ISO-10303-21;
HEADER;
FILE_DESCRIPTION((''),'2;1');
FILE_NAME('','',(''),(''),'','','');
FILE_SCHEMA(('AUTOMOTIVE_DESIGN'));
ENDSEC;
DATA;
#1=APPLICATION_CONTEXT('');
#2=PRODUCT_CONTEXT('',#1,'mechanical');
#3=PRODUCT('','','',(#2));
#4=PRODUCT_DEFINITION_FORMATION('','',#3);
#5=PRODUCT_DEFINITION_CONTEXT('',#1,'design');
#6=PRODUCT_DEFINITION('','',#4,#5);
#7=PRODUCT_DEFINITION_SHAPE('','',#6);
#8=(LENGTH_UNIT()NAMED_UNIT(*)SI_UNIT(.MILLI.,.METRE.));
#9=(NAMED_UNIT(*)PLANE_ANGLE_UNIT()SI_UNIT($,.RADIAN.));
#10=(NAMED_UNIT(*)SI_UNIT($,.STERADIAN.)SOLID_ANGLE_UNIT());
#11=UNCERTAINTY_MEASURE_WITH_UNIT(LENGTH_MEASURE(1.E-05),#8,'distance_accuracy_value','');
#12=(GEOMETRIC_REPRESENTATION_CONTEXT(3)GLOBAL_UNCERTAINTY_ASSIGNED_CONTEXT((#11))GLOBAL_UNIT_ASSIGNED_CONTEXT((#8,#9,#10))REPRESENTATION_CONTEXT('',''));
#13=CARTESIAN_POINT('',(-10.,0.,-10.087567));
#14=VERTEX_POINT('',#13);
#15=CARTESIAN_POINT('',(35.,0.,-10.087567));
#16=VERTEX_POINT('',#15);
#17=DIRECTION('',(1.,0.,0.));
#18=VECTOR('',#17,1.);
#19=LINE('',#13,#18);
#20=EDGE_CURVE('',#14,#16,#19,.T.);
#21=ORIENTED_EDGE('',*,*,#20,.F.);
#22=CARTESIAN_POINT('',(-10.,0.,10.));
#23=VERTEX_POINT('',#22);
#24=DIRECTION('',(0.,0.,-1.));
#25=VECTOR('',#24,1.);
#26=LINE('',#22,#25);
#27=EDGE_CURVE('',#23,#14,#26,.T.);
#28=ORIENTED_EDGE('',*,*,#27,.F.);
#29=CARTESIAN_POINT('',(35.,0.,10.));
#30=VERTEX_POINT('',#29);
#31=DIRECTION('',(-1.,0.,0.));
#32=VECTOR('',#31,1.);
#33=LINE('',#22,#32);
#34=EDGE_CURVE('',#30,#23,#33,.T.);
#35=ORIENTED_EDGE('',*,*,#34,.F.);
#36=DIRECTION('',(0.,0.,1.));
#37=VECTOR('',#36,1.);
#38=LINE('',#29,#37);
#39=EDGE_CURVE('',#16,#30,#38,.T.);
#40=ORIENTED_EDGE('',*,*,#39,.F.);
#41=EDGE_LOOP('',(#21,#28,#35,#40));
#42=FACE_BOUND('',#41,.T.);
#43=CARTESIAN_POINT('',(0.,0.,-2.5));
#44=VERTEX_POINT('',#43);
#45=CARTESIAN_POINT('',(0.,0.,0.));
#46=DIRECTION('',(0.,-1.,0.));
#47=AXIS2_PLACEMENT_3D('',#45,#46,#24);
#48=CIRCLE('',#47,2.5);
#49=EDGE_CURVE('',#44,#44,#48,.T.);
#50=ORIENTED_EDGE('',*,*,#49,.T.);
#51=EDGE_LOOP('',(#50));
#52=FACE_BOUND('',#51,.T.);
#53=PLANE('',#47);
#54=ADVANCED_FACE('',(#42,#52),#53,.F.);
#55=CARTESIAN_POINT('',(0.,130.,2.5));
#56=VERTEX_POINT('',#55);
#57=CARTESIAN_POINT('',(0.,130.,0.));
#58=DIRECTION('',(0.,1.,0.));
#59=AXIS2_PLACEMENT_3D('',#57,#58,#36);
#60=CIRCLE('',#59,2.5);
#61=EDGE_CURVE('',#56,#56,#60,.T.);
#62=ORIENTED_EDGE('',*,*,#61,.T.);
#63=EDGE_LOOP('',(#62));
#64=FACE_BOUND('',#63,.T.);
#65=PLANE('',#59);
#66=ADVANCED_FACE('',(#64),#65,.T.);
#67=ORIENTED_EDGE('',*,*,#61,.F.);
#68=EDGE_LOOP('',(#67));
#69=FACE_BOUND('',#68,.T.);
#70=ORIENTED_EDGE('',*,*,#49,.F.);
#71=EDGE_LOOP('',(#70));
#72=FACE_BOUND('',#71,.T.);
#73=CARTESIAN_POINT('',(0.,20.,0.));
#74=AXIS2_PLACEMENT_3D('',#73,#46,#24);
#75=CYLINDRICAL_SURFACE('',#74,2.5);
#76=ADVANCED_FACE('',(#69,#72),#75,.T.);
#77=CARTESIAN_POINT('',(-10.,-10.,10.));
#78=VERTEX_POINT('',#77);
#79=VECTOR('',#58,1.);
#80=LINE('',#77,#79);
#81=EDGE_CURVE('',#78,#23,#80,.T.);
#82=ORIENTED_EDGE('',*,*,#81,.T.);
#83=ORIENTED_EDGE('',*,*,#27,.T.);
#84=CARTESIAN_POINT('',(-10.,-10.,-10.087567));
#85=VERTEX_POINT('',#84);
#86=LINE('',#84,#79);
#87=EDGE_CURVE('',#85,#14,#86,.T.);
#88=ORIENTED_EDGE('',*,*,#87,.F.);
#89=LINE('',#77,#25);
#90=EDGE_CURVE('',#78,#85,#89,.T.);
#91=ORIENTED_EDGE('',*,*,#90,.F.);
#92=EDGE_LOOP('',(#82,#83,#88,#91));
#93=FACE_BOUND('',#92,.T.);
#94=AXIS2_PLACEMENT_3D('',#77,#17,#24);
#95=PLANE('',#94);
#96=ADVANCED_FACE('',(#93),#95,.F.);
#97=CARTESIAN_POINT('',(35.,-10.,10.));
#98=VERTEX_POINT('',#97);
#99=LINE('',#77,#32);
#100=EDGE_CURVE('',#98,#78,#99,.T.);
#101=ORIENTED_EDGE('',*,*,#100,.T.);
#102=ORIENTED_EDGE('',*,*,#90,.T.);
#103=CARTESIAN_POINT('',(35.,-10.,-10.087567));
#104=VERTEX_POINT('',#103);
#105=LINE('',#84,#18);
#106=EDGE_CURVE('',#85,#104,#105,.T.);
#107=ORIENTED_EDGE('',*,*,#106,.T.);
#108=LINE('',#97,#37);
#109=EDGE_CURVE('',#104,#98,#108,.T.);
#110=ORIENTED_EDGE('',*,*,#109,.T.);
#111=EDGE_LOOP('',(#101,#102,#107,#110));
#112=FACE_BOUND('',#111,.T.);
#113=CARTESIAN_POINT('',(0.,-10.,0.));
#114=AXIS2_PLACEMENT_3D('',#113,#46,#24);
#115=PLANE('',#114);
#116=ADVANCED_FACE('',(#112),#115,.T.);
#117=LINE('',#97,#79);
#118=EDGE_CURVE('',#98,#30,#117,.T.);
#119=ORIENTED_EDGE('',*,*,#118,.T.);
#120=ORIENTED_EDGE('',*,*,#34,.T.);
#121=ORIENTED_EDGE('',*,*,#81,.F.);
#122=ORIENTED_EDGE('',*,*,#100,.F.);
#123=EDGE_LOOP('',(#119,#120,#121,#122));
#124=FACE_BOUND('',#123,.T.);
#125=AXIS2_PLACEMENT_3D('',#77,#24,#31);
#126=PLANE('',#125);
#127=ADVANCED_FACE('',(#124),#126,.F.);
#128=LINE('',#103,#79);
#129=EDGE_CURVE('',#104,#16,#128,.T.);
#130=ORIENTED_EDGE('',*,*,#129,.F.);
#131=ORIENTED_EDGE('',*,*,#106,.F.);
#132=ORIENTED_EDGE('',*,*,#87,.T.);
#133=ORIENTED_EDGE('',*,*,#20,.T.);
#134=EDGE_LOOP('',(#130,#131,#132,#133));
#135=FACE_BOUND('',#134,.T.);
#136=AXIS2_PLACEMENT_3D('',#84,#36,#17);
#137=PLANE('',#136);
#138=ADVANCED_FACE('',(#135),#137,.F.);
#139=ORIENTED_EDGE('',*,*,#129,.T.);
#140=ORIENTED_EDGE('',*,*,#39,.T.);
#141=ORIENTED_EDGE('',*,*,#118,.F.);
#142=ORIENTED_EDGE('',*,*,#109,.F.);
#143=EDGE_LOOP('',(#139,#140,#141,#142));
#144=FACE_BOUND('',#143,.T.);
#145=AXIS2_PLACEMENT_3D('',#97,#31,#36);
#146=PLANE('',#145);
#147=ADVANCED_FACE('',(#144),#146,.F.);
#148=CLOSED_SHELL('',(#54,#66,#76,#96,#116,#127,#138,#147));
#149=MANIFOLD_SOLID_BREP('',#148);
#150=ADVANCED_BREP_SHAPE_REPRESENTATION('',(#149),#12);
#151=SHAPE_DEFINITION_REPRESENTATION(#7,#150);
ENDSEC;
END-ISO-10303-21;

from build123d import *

# Parameters (mm, degrees)
CROQUIS1_R              = 2.5
SALIENTE_EXTRUIR1_DEPTH = 20
CROQUIS2_W              = 45
CROQUIS2_H              = 20.08756727
SALIENTE_EXTRUIR2_DEPTH = 10
CROQUIS3_R              = 2.5
SALIENTE_EXTRUIR3_DEPTH = 110


with BuildPart() as part:
    # Croquis1 → Saliente-Extruir1 (new body)
    with BuildSketch(Plane(origin=(0, 0, 0), x_dir=(1, 0, 0), z_dir=(0, 1, 0))):
        Circle(CROQUIS1_R)
    extrude(amount=SALIENTE_EXTRUIR1_DEPTH)

    # Croquis2 → Saliente-Extruir2 (add)
    with BuildSketch(Plane.XZ):
        with Locations((12.5, -0.043783635)):
            Rectangle(CROQUIS2_W, CROQUIS2_H)
    extrude(amount=SALIENTE_EXTRUIR2_DEPTH)

    # Croquis3 → Saliente-Extruir3 (add)
    with BuildSketch(Plane(origin=(0, 20, 0), x_dir=(1, 0, 0), z_dir=(0, 1, 0))):
        Circle(CROQUIS3_R)
    extrude(amount=SALIENTE_EXTRUIR3_DEPTH)


solid = part.part
